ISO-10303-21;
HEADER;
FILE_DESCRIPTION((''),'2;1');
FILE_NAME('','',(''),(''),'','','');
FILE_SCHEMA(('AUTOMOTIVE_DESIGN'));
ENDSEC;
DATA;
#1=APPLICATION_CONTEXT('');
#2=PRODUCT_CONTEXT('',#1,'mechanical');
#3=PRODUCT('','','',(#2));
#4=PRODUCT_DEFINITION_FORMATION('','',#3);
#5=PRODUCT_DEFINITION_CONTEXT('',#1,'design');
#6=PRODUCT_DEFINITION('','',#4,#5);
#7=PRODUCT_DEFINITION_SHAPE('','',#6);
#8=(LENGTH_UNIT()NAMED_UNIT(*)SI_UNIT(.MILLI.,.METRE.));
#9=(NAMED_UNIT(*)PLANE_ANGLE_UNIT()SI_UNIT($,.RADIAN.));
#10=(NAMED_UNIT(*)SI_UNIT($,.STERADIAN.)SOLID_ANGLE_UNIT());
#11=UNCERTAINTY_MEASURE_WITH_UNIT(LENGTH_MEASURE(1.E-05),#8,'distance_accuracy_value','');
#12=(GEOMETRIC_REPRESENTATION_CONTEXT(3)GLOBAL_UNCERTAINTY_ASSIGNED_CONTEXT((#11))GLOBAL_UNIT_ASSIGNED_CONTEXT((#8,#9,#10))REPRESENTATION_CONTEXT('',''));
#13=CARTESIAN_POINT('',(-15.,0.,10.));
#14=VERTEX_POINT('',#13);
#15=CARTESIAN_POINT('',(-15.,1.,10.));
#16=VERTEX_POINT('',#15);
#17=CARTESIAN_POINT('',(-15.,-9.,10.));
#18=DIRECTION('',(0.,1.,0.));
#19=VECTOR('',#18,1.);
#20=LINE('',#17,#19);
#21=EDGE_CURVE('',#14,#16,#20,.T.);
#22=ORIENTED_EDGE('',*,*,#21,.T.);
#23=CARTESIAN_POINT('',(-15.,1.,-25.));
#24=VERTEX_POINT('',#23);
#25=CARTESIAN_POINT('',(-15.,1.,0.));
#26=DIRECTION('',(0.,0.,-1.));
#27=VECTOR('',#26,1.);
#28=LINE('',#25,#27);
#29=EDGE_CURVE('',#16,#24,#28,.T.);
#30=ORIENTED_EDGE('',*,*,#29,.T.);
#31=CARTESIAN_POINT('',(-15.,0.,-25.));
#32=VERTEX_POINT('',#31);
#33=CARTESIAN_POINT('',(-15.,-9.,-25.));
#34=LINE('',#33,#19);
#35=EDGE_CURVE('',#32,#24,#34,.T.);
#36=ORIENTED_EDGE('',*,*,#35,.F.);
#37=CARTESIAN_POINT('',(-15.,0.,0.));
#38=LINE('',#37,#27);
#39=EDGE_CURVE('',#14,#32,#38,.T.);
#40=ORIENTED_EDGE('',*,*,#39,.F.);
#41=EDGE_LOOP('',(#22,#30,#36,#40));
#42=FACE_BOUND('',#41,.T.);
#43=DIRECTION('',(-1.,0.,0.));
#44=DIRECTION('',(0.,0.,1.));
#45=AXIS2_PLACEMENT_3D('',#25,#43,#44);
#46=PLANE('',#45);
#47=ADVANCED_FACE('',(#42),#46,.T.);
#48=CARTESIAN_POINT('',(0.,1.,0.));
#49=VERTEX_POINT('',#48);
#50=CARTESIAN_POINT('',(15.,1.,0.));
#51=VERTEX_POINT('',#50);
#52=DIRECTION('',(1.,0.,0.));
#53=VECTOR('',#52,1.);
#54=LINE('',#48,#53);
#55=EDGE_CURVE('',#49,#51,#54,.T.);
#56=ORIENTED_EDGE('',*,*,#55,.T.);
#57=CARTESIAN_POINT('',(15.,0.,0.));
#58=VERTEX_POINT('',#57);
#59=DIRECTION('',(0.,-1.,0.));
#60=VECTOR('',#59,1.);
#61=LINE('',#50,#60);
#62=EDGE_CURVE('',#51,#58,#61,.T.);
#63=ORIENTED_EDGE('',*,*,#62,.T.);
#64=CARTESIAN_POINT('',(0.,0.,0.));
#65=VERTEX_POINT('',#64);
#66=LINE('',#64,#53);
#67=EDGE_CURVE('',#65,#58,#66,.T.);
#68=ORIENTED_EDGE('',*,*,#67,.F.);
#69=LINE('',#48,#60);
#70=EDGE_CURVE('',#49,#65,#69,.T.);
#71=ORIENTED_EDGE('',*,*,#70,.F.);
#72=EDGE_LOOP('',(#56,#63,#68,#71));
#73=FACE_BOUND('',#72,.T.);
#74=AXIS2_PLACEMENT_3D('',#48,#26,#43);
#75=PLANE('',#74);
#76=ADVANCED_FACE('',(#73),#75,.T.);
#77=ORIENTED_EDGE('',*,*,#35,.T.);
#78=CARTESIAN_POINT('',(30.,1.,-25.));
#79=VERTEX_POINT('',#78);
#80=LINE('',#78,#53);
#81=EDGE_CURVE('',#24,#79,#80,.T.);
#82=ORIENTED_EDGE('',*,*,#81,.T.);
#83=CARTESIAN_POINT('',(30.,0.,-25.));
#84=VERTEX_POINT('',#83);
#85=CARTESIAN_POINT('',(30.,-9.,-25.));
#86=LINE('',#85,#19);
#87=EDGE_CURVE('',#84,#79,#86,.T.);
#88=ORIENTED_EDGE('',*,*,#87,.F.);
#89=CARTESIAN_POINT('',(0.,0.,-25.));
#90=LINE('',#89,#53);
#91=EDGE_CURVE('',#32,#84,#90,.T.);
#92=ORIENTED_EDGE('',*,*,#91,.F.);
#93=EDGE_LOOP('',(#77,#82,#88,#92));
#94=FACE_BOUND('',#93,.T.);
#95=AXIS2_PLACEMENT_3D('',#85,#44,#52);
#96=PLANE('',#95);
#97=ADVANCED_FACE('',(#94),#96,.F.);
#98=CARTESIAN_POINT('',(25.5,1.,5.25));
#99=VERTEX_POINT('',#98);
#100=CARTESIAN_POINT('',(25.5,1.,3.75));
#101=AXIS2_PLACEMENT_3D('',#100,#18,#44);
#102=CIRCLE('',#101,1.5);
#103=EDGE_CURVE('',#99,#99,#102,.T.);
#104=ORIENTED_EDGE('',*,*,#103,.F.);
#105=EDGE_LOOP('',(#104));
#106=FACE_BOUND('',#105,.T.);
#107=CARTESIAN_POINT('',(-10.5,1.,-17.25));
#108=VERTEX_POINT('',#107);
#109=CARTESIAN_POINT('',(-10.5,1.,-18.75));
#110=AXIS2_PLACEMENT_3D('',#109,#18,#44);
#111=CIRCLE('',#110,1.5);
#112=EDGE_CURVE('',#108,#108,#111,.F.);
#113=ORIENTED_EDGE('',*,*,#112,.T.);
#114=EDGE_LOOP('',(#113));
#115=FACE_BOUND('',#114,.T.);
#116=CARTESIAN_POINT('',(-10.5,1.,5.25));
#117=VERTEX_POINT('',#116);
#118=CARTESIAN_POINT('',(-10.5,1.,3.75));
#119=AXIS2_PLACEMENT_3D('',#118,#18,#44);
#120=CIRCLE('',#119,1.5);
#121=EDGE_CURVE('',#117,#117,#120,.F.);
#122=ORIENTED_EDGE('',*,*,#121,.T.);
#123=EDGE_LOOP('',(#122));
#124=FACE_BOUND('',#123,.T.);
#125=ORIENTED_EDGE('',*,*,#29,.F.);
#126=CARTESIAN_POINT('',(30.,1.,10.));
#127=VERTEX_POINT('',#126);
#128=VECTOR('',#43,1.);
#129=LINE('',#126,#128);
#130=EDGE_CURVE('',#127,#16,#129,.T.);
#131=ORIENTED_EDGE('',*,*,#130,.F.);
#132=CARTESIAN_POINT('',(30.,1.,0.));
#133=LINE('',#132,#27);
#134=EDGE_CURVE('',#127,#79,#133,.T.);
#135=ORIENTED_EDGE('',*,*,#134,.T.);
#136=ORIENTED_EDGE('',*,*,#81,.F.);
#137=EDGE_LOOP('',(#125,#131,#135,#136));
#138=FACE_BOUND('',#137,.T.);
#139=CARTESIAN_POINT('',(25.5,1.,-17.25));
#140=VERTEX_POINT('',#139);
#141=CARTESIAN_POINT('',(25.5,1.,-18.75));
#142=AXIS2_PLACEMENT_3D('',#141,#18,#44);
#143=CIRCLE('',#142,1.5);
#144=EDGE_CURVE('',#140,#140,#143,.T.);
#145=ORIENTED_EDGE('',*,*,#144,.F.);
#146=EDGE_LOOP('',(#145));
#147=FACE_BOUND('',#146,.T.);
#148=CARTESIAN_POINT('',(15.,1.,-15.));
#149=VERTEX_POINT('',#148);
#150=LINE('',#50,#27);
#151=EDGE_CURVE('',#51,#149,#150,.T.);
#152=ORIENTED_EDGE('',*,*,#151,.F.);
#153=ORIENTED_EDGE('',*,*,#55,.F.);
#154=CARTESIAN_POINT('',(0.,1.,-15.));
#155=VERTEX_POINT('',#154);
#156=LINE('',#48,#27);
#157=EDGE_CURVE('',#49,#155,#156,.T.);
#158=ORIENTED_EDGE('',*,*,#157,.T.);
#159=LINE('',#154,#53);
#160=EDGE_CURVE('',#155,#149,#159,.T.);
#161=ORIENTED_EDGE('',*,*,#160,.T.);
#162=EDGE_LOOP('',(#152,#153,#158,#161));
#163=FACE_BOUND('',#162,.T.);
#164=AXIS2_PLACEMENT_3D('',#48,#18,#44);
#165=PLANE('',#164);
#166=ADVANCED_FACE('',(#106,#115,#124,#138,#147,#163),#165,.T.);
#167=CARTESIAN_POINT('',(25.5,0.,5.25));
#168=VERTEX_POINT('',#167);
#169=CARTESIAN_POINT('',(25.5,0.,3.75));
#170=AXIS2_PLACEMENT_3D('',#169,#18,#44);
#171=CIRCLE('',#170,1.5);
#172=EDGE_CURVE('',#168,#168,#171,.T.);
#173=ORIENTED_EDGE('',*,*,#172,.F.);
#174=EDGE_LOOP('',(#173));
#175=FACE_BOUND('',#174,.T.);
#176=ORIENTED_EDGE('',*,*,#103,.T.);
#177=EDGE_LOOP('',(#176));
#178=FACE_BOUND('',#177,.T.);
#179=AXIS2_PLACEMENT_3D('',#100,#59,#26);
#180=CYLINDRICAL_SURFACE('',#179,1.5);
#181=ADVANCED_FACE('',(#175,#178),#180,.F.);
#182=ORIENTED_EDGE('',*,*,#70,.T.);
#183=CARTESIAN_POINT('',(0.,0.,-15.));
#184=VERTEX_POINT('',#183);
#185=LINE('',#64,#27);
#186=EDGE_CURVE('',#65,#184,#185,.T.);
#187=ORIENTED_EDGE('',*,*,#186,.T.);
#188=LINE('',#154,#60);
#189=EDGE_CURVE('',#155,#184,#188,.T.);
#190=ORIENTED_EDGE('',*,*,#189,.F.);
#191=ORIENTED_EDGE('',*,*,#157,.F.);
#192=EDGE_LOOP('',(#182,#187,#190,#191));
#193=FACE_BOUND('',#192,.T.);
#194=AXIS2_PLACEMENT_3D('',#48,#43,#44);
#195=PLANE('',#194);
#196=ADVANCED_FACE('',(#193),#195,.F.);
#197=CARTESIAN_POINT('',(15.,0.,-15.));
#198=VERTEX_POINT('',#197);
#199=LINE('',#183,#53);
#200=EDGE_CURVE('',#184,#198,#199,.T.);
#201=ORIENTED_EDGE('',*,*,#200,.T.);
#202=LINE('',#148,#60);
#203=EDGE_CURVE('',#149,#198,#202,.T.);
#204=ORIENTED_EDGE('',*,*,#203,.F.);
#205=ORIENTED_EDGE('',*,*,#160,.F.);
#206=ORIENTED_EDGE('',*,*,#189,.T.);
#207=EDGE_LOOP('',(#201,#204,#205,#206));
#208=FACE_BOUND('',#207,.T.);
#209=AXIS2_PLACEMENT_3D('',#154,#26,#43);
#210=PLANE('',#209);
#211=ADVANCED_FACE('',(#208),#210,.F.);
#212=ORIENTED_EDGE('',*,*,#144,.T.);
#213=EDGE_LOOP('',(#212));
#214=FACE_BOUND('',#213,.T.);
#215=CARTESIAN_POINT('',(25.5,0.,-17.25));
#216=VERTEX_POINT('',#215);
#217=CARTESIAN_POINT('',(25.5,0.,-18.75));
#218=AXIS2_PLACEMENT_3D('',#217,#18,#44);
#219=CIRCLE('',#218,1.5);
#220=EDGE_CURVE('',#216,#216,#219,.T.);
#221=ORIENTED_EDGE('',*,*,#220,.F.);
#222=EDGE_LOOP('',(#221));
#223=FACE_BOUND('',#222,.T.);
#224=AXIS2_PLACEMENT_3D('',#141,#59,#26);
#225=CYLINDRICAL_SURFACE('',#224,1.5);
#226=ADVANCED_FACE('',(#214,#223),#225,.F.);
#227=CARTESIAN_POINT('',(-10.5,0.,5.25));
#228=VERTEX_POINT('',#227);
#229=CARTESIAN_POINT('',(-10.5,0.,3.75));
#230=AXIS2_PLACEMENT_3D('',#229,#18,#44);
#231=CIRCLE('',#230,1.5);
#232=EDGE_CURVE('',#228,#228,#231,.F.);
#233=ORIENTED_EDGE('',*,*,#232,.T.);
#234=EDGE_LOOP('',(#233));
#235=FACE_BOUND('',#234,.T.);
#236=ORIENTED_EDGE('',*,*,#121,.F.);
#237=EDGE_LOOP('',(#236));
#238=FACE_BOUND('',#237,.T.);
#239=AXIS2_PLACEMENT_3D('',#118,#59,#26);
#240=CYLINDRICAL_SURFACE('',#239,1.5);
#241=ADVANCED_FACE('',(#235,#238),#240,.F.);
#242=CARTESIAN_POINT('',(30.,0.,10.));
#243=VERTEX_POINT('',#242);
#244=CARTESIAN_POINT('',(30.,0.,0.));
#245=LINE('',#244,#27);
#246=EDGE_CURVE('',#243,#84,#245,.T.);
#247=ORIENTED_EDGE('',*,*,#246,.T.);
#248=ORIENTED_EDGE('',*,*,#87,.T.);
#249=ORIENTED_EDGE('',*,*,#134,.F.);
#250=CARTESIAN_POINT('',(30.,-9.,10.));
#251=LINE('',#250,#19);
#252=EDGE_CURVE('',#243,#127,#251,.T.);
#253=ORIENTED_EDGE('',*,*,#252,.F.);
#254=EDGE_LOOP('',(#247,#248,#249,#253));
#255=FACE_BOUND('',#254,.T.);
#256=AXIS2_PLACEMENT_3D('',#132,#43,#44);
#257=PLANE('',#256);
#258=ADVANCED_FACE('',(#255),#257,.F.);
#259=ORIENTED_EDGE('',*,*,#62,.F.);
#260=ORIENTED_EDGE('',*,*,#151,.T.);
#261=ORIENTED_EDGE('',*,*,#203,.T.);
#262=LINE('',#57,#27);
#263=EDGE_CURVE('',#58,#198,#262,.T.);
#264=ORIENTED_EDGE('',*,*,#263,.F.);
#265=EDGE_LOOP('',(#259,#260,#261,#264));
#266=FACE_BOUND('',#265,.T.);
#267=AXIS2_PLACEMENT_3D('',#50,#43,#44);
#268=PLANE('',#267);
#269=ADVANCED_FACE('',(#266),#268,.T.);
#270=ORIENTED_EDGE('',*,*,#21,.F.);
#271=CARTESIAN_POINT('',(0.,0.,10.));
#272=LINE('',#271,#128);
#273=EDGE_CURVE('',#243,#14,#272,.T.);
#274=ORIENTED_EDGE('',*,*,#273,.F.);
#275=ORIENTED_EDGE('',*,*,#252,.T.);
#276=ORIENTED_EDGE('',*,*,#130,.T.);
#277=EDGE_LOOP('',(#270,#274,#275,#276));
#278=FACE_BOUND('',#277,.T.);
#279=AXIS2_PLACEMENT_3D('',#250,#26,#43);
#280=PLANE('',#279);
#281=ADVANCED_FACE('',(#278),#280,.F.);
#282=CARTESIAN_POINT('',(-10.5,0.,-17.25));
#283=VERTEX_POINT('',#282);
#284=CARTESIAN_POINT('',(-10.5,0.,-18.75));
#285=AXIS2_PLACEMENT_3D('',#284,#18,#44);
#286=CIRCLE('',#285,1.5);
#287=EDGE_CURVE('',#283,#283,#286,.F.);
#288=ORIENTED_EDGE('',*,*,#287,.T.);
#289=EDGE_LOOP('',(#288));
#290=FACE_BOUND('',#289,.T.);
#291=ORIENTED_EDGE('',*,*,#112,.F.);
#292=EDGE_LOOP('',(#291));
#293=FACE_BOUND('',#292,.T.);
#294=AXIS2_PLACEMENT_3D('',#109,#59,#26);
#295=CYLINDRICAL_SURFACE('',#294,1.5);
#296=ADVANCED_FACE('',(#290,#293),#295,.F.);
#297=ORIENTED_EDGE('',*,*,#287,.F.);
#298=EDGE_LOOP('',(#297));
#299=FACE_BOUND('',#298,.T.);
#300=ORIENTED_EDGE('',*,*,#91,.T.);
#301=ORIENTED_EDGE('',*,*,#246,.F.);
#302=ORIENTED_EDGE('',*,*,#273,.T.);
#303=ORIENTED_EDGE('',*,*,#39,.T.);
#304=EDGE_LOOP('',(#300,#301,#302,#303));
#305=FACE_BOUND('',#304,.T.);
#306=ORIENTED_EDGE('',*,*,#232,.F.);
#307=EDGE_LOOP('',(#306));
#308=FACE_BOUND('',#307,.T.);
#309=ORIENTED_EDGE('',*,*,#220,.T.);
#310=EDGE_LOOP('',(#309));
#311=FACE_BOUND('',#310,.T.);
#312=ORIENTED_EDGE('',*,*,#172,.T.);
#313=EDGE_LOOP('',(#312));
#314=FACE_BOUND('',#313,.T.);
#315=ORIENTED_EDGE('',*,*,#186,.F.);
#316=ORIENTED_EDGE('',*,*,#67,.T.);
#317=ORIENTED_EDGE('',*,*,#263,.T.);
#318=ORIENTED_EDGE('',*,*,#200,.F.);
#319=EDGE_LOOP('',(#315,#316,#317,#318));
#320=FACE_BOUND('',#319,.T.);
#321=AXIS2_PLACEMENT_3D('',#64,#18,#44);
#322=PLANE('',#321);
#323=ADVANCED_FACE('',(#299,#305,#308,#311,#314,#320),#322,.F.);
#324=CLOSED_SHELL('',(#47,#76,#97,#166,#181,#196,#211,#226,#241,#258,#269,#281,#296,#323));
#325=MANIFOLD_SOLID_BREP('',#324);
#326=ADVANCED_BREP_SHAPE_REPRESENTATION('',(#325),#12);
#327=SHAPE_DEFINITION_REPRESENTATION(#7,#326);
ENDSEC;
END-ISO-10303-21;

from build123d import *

# Parameters (mm, degrees)
CROQUIS1_R              = 1.5
CROQUIS1_W              = 15
CROQUIS1_H              = 15
SALIENTE_EXTRUIR1_DEPTH = 1
CROQUIS2_W              = 45
CROQUIS2_H              = 5
CORTAR_EXTRUIR1_DEPTH   = 10


with BuildPart() as part:
    # Croquis1 → Saliente-Extruir1 (new body)
    with BuildSketch(Plane(origin=(0, 0, 0), x_dir=(1, 0, 0), z_dir=(0, 1, 0))):
        with BuildLine():
            ThreePointArc((-15, -14.898453182), (-14.949747468, -14.949747468), (-14.898453182, -15))
            Line((-14.898453182, -15), (30, -15))
            Line((30, -15), (30, 30))
            Line((30, 30), (-15, 30))
            Line((-15, 30), (-15, -14.898453182))
        make_face()
        with Locations(Location((-10.5, -3.75, 0), (0, 0, 270))):
            Circle(CROQUIS1_R, mode=Mode.SUBTRACT)
        with Locations(Location((25.5, -3.75, 0), (0, 0, 270))):
            Circle(CROQUIS1_R, mode=Mode.SUBTRACT)
        with Locations(Location((-10.5, 18.75, 0), (0, 0, 270))):
            Circle(CROQUIS1_R, mode=Mode.SUBTRACT)
        with Locations((7.5, 7.5)):
            Rectangle(CROQUIS1_W, CROQUIS1_H, mode=Mode.SUBTRACT)
        with Locations(Location((25.5, 18.75, 0), (0, 0, 270))):
            Circle(CROQUIS1_R, mode=Mode.SUBTRACT)
    extrude(amount=SALIENTE_EXTRUIR1_DEPTH)

    # Croquis2 → Cortar-Extruir1 (cut)
    with BuildSketch(Plane(origin=(0, 1, 0), x_dir=(1, 0, 0), z_dir=(0, 1, 0))):
        with Locations((7.5, -12.5)):
            Rectangle(CROQUIS2_W, CROQUIS2_H)
        with Locations((7.5, 27.5)):
            Rectangle(CROQUIS2_W, CROQUIS2_H)
    extrude(amount=-CORTAR_EXTRUIR1_DEPTH, mode=Mode.SUBTRACT)


solid = part.part
